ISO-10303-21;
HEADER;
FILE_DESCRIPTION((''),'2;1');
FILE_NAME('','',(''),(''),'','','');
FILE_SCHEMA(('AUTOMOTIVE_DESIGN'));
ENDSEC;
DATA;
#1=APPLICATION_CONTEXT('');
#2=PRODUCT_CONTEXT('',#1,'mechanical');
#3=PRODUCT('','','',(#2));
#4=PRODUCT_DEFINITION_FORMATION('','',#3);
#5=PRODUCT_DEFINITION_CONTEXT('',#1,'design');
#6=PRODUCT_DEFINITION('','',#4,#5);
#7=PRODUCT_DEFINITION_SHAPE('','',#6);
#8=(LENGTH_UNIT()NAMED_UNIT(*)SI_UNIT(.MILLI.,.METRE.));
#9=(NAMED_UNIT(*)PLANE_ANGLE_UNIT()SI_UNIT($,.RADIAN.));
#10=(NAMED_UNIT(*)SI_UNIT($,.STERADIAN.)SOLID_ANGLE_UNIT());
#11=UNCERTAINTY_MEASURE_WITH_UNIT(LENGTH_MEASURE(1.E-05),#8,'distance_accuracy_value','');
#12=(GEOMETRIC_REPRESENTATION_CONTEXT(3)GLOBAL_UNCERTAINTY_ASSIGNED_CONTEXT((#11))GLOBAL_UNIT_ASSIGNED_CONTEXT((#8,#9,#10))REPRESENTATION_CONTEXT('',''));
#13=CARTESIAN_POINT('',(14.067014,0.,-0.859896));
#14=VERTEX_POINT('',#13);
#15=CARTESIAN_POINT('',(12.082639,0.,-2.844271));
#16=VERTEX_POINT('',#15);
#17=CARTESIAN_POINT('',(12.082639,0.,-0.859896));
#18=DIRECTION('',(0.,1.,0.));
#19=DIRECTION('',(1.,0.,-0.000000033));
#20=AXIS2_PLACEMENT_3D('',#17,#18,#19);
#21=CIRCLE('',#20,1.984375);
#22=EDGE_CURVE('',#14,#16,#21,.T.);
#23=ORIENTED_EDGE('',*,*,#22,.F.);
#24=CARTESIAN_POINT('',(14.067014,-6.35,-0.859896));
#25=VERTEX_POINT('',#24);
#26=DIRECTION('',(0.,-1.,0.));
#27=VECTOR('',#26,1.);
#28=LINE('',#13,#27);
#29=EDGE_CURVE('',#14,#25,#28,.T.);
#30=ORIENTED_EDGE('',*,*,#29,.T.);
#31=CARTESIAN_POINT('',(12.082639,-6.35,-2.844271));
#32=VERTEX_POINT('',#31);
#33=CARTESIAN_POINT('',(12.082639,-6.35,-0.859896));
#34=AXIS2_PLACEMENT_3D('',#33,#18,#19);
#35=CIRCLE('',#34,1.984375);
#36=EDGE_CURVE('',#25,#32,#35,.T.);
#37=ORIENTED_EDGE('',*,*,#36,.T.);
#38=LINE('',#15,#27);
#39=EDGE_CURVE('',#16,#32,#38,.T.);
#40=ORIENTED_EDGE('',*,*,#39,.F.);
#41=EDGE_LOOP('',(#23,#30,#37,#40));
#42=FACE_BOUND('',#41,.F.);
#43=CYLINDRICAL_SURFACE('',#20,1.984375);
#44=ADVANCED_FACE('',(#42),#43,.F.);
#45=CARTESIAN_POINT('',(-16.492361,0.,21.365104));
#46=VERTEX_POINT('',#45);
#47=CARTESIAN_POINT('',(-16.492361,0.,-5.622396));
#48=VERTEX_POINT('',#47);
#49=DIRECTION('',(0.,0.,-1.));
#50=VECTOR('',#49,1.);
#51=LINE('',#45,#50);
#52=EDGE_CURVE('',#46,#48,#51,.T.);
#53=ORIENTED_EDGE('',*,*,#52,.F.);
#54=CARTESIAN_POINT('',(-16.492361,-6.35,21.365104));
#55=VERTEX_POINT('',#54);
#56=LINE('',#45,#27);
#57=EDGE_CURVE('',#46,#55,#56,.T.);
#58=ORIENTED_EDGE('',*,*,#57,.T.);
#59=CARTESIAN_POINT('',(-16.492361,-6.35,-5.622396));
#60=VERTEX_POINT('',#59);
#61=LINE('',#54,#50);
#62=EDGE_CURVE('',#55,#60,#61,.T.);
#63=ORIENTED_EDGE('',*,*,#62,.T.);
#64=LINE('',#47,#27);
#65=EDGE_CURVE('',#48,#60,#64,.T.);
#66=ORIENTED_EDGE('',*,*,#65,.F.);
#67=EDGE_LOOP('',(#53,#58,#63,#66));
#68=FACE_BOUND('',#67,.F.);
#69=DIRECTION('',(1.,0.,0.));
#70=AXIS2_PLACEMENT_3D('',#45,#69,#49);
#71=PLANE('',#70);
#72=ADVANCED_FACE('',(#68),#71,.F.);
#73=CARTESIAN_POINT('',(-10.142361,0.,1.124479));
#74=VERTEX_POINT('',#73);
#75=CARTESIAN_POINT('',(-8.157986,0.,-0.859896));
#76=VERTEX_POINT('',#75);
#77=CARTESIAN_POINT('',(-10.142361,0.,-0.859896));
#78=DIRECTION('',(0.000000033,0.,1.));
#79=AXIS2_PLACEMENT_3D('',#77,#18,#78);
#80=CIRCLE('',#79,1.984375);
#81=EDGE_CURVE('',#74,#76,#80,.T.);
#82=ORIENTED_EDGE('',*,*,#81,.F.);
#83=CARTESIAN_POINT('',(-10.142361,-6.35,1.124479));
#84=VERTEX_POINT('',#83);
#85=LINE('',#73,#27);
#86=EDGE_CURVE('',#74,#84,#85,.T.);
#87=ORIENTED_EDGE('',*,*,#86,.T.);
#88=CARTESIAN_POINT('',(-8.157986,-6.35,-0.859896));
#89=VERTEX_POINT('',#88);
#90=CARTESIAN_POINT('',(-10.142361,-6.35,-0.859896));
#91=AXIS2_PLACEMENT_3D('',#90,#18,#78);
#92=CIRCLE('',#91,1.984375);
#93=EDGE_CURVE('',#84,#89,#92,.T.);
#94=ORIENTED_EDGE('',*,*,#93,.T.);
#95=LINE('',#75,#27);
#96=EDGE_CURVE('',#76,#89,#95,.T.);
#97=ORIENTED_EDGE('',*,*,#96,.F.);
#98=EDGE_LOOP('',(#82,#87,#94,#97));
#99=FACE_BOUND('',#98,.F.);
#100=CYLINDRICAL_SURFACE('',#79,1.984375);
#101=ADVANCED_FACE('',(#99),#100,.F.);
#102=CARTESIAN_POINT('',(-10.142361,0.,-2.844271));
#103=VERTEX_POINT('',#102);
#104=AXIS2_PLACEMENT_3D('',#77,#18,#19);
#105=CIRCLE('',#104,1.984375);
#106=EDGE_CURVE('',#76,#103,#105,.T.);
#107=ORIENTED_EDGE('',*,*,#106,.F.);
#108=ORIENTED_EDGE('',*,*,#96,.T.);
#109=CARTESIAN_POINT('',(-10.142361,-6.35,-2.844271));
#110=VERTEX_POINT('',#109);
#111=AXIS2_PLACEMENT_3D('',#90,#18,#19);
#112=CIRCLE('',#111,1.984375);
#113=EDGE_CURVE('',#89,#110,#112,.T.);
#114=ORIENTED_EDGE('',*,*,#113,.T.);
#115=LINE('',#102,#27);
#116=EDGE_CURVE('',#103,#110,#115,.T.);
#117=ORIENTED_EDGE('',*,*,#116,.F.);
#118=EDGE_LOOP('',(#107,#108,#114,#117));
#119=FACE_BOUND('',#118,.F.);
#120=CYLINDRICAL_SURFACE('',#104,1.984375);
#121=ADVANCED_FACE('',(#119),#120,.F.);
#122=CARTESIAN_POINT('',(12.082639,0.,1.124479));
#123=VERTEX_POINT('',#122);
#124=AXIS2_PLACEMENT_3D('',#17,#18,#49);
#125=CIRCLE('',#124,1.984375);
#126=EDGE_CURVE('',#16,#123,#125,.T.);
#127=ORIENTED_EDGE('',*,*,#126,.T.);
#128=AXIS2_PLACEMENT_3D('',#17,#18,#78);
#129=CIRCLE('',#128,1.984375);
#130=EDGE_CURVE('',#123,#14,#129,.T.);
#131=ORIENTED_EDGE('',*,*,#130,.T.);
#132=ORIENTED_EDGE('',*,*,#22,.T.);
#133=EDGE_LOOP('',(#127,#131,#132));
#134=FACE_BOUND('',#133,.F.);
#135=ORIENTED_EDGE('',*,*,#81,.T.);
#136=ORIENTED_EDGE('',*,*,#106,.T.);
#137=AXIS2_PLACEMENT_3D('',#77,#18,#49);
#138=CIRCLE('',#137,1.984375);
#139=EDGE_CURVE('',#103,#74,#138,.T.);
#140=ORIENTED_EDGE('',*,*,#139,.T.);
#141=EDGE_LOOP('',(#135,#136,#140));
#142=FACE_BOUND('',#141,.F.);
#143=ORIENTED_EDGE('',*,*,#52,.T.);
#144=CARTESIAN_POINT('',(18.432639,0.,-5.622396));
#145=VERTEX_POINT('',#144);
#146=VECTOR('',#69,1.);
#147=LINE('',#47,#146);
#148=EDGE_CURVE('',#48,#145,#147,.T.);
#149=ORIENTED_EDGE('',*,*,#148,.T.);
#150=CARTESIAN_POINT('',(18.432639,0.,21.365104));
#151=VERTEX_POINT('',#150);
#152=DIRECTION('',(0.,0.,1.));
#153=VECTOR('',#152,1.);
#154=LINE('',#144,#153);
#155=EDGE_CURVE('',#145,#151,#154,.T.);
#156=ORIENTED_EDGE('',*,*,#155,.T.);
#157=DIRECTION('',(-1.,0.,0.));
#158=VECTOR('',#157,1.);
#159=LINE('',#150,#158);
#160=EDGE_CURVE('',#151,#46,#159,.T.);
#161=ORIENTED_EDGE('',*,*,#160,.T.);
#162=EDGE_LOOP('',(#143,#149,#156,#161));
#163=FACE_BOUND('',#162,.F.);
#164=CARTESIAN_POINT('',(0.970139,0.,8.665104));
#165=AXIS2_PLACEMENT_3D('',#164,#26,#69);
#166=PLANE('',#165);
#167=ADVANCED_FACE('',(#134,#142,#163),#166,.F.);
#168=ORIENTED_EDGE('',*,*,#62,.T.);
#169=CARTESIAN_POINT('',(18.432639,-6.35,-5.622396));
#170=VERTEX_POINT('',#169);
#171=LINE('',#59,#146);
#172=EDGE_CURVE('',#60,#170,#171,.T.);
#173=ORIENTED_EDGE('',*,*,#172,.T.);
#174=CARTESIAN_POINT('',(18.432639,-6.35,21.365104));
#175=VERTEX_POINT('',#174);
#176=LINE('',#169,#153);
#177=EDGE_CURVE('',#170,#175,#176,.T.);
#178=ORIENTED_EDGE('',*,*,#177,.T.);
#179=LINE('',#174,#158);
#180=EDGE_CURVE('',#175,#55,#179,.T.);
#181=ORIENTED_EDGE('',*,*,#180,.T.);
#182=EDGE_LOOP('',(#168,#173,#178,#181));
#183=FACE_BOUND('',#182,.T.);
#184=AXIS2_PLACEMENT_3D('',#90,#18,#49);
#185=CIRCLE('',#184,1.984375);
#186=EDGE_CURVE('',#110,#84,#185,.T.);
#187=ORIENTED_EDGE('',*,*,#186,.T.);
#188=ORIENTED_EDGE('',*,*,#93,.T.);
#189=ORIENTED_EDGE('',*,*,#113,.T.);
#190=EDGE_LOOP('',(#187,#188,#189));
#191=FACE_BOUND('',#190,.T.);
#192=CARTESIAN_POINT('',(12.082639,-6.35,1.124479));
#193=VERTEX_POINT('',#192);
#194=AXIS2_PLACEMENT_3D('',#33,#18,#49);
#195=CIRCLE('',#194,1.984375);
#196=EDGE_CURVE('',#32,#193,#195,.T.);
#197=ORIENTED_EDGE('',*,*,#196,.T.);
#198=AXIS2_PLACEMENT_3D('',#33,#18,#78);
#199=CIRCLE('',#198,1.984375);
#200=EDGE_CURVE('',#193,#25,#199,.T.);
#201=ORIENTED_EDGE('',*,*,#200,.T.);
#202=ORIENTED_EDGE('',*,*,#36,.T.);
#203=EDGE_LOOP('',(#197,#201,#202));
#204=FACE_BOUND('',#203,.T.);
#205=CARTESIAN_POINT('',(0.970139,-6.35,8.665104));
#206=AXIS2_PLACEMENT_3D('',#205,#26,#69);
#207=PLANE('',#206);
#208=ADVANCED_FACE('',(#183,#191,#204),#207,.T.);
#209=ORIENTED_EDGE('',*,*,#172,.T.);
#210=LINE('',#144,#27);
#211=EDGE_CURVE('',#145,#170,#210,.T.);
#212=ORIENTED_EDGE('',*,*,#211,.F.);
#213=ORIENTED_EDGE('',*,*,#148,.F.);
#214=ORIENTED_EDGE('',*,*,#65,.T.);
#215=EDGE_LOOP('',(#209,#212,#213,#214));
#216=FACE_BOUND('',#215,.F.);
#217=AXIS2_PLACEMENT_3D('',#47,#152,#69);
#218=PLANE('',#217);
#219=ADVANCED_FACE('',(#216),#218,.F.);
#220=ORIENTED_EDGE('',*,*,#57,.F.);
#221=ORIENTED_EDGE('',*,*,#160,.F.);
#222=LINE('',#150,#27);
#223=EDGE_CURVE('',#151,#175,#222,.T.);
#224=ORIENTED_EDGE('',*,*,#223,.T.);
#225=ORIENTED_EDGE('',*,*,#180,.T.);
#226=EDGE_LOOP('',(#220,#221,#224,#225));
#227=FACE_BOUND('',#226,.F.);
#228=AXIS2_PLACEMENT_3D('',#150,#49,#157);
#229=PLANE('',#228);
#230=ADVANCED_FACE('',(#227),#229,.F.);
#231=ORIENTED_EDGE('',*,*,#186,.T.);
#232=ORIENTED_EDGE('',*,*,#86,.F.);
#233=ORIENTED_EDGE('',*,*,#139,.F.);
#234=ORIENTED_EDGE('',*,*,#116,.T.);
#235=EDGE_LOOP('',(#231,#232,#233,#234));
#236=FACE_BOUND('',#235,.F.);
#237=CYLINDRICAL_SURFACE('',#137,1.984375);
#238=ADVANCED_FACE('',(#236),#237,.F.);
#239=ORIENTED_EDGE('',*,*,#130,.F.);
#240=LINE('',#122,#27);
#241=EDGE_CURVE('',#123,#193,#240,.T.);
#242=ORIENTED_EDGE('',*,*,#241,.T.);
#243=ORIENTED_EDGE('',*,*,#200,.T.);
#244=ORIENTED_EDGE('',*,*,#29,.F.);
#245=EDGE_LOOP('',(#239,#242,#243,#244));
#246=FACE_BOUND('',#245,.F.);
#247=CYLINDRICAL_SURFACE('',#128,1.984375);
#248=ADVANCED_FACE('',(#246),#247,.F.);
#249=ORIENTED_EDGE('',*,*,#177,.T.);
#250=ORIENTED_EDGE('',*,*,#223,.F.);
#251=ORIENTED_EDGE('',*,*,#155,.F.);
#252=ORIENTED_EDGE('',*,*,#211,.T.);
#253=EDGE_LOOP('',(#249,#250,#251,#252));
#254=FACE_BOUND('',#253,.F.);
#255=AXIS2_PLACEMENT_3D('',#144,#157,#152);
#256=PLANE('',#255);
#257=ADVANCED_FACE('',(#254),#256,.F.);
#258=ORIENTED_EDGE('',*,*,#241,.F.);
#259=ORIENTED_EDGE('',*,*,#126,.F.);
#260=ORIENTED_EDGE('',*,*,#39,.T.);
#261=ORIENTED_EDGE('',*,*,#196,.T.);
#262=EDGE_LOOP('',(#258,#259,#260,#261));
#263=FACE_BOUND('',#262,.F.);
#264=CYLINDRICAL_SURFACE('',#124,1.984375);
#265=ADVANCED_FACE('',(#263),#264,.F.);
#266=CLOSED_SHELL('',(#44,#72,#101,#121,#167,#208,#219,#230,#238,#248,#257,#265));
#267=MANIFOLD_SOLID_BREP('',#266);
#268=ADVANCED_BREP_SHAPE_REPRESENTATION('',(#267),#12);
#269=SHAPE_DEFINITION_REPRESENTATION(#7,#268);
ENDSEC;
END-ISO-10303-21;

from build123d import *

# Parameters (mm, degrees)
F0_W     = 6.35
F0_H     = 1.5875
F0_W_2   = 22.225
F1_DEPTH = 6.35


with BuildPart() as f1:
    # F0 (on Front) → F1 (new body)
    with BuildSketch(Plane.XZ):
        Polygon((18.432639, 21.365104), (-16.492361, 21.365104), (-16.492361, -4.034896), (-10.142361, -4.034896), (12.082639, -4.034896), (18.432639, -4.034896), align=None)
        with BuildLine():
            ThreePointArc((-6.967361, -0.859896), (-7.897297, -3.10496), (-10.142361, -4.034896))
            ThreePointArc((-10.142361, -4.034896), (-12.387425, 1.385168), (-6.967361, -0.859896))
        make_face(mode=Mode.SUBTRACT)
        with BuildLine():
            ThreePointArc((15.257639, -0.859896), (14.327703, -3.10496), (12.082639, -4.034896))
            ThreePointArc((12.082639, -4.034896), (9.837575, 1.385168), (15.257639, -0.859896))
        make_face(mode=Mode.SUBTRACT)
        with Locations((-13.317361, -4.828646)):
            Rectangle(F0_W, F0_H)
        with Locations((0.970139, -4.828646)):
            Rectangle(F0_W_2, F0_H)
        with Locations((15.257639, -4.828646)):
            Rectangle(F0_W, F0_H)
        with BuildLine():
            ThreePointArc((15.257639, -0.859896), (9.837575, 1.385168), (12.082639, -4.034896))
            ThreePointArc((12.082639, -4.034896), (14.327703, -3.10496), (15.257639, -0.859896))
        make_face()
        with BuildLine():
            ThreePointArc((14.067014, -0.859896), (13.485804, -2.263061), (12.082639, -2.844271))
            ThreePointArc((12.082639, -2.844271), (10.098264, -0.859896), (12.082639, 1.124479))
            ThreePointArc((12.082639, 1.124479), (13.485804, 0.543269), (14.067014, -0.859896))
        make_face(mode=Mode.SUBTRACT)
        with BuildLine():
            ThreePointArc((-6.967361, -0.859896), (-12.387425, 1.385168), (-10.142361, -4.034896))
            ThreePointArc((-10.142361, -4.034896), (-7.897297, -3.10496), (-6.967361, -0.859896))
        make_face()
        with BuildLine():
            ThreePointArc((-8.157986, -0.859896), (-8.739196, -2.263061), (-10.142361, -2.844271))
            ThreePointArc((-10.142361, -2.844271), (-12.126736, -0.859896), (-10.142361, 1.124479))
            ThreePointArc((-10.142361, 1.124479), (-8.739196, 0.543269), (-8.157986, -0.859896))
        make_face(mode=Mode.SUBTRACT)
    extrude(amount=F1_DEPTH)


solid = f1.part
